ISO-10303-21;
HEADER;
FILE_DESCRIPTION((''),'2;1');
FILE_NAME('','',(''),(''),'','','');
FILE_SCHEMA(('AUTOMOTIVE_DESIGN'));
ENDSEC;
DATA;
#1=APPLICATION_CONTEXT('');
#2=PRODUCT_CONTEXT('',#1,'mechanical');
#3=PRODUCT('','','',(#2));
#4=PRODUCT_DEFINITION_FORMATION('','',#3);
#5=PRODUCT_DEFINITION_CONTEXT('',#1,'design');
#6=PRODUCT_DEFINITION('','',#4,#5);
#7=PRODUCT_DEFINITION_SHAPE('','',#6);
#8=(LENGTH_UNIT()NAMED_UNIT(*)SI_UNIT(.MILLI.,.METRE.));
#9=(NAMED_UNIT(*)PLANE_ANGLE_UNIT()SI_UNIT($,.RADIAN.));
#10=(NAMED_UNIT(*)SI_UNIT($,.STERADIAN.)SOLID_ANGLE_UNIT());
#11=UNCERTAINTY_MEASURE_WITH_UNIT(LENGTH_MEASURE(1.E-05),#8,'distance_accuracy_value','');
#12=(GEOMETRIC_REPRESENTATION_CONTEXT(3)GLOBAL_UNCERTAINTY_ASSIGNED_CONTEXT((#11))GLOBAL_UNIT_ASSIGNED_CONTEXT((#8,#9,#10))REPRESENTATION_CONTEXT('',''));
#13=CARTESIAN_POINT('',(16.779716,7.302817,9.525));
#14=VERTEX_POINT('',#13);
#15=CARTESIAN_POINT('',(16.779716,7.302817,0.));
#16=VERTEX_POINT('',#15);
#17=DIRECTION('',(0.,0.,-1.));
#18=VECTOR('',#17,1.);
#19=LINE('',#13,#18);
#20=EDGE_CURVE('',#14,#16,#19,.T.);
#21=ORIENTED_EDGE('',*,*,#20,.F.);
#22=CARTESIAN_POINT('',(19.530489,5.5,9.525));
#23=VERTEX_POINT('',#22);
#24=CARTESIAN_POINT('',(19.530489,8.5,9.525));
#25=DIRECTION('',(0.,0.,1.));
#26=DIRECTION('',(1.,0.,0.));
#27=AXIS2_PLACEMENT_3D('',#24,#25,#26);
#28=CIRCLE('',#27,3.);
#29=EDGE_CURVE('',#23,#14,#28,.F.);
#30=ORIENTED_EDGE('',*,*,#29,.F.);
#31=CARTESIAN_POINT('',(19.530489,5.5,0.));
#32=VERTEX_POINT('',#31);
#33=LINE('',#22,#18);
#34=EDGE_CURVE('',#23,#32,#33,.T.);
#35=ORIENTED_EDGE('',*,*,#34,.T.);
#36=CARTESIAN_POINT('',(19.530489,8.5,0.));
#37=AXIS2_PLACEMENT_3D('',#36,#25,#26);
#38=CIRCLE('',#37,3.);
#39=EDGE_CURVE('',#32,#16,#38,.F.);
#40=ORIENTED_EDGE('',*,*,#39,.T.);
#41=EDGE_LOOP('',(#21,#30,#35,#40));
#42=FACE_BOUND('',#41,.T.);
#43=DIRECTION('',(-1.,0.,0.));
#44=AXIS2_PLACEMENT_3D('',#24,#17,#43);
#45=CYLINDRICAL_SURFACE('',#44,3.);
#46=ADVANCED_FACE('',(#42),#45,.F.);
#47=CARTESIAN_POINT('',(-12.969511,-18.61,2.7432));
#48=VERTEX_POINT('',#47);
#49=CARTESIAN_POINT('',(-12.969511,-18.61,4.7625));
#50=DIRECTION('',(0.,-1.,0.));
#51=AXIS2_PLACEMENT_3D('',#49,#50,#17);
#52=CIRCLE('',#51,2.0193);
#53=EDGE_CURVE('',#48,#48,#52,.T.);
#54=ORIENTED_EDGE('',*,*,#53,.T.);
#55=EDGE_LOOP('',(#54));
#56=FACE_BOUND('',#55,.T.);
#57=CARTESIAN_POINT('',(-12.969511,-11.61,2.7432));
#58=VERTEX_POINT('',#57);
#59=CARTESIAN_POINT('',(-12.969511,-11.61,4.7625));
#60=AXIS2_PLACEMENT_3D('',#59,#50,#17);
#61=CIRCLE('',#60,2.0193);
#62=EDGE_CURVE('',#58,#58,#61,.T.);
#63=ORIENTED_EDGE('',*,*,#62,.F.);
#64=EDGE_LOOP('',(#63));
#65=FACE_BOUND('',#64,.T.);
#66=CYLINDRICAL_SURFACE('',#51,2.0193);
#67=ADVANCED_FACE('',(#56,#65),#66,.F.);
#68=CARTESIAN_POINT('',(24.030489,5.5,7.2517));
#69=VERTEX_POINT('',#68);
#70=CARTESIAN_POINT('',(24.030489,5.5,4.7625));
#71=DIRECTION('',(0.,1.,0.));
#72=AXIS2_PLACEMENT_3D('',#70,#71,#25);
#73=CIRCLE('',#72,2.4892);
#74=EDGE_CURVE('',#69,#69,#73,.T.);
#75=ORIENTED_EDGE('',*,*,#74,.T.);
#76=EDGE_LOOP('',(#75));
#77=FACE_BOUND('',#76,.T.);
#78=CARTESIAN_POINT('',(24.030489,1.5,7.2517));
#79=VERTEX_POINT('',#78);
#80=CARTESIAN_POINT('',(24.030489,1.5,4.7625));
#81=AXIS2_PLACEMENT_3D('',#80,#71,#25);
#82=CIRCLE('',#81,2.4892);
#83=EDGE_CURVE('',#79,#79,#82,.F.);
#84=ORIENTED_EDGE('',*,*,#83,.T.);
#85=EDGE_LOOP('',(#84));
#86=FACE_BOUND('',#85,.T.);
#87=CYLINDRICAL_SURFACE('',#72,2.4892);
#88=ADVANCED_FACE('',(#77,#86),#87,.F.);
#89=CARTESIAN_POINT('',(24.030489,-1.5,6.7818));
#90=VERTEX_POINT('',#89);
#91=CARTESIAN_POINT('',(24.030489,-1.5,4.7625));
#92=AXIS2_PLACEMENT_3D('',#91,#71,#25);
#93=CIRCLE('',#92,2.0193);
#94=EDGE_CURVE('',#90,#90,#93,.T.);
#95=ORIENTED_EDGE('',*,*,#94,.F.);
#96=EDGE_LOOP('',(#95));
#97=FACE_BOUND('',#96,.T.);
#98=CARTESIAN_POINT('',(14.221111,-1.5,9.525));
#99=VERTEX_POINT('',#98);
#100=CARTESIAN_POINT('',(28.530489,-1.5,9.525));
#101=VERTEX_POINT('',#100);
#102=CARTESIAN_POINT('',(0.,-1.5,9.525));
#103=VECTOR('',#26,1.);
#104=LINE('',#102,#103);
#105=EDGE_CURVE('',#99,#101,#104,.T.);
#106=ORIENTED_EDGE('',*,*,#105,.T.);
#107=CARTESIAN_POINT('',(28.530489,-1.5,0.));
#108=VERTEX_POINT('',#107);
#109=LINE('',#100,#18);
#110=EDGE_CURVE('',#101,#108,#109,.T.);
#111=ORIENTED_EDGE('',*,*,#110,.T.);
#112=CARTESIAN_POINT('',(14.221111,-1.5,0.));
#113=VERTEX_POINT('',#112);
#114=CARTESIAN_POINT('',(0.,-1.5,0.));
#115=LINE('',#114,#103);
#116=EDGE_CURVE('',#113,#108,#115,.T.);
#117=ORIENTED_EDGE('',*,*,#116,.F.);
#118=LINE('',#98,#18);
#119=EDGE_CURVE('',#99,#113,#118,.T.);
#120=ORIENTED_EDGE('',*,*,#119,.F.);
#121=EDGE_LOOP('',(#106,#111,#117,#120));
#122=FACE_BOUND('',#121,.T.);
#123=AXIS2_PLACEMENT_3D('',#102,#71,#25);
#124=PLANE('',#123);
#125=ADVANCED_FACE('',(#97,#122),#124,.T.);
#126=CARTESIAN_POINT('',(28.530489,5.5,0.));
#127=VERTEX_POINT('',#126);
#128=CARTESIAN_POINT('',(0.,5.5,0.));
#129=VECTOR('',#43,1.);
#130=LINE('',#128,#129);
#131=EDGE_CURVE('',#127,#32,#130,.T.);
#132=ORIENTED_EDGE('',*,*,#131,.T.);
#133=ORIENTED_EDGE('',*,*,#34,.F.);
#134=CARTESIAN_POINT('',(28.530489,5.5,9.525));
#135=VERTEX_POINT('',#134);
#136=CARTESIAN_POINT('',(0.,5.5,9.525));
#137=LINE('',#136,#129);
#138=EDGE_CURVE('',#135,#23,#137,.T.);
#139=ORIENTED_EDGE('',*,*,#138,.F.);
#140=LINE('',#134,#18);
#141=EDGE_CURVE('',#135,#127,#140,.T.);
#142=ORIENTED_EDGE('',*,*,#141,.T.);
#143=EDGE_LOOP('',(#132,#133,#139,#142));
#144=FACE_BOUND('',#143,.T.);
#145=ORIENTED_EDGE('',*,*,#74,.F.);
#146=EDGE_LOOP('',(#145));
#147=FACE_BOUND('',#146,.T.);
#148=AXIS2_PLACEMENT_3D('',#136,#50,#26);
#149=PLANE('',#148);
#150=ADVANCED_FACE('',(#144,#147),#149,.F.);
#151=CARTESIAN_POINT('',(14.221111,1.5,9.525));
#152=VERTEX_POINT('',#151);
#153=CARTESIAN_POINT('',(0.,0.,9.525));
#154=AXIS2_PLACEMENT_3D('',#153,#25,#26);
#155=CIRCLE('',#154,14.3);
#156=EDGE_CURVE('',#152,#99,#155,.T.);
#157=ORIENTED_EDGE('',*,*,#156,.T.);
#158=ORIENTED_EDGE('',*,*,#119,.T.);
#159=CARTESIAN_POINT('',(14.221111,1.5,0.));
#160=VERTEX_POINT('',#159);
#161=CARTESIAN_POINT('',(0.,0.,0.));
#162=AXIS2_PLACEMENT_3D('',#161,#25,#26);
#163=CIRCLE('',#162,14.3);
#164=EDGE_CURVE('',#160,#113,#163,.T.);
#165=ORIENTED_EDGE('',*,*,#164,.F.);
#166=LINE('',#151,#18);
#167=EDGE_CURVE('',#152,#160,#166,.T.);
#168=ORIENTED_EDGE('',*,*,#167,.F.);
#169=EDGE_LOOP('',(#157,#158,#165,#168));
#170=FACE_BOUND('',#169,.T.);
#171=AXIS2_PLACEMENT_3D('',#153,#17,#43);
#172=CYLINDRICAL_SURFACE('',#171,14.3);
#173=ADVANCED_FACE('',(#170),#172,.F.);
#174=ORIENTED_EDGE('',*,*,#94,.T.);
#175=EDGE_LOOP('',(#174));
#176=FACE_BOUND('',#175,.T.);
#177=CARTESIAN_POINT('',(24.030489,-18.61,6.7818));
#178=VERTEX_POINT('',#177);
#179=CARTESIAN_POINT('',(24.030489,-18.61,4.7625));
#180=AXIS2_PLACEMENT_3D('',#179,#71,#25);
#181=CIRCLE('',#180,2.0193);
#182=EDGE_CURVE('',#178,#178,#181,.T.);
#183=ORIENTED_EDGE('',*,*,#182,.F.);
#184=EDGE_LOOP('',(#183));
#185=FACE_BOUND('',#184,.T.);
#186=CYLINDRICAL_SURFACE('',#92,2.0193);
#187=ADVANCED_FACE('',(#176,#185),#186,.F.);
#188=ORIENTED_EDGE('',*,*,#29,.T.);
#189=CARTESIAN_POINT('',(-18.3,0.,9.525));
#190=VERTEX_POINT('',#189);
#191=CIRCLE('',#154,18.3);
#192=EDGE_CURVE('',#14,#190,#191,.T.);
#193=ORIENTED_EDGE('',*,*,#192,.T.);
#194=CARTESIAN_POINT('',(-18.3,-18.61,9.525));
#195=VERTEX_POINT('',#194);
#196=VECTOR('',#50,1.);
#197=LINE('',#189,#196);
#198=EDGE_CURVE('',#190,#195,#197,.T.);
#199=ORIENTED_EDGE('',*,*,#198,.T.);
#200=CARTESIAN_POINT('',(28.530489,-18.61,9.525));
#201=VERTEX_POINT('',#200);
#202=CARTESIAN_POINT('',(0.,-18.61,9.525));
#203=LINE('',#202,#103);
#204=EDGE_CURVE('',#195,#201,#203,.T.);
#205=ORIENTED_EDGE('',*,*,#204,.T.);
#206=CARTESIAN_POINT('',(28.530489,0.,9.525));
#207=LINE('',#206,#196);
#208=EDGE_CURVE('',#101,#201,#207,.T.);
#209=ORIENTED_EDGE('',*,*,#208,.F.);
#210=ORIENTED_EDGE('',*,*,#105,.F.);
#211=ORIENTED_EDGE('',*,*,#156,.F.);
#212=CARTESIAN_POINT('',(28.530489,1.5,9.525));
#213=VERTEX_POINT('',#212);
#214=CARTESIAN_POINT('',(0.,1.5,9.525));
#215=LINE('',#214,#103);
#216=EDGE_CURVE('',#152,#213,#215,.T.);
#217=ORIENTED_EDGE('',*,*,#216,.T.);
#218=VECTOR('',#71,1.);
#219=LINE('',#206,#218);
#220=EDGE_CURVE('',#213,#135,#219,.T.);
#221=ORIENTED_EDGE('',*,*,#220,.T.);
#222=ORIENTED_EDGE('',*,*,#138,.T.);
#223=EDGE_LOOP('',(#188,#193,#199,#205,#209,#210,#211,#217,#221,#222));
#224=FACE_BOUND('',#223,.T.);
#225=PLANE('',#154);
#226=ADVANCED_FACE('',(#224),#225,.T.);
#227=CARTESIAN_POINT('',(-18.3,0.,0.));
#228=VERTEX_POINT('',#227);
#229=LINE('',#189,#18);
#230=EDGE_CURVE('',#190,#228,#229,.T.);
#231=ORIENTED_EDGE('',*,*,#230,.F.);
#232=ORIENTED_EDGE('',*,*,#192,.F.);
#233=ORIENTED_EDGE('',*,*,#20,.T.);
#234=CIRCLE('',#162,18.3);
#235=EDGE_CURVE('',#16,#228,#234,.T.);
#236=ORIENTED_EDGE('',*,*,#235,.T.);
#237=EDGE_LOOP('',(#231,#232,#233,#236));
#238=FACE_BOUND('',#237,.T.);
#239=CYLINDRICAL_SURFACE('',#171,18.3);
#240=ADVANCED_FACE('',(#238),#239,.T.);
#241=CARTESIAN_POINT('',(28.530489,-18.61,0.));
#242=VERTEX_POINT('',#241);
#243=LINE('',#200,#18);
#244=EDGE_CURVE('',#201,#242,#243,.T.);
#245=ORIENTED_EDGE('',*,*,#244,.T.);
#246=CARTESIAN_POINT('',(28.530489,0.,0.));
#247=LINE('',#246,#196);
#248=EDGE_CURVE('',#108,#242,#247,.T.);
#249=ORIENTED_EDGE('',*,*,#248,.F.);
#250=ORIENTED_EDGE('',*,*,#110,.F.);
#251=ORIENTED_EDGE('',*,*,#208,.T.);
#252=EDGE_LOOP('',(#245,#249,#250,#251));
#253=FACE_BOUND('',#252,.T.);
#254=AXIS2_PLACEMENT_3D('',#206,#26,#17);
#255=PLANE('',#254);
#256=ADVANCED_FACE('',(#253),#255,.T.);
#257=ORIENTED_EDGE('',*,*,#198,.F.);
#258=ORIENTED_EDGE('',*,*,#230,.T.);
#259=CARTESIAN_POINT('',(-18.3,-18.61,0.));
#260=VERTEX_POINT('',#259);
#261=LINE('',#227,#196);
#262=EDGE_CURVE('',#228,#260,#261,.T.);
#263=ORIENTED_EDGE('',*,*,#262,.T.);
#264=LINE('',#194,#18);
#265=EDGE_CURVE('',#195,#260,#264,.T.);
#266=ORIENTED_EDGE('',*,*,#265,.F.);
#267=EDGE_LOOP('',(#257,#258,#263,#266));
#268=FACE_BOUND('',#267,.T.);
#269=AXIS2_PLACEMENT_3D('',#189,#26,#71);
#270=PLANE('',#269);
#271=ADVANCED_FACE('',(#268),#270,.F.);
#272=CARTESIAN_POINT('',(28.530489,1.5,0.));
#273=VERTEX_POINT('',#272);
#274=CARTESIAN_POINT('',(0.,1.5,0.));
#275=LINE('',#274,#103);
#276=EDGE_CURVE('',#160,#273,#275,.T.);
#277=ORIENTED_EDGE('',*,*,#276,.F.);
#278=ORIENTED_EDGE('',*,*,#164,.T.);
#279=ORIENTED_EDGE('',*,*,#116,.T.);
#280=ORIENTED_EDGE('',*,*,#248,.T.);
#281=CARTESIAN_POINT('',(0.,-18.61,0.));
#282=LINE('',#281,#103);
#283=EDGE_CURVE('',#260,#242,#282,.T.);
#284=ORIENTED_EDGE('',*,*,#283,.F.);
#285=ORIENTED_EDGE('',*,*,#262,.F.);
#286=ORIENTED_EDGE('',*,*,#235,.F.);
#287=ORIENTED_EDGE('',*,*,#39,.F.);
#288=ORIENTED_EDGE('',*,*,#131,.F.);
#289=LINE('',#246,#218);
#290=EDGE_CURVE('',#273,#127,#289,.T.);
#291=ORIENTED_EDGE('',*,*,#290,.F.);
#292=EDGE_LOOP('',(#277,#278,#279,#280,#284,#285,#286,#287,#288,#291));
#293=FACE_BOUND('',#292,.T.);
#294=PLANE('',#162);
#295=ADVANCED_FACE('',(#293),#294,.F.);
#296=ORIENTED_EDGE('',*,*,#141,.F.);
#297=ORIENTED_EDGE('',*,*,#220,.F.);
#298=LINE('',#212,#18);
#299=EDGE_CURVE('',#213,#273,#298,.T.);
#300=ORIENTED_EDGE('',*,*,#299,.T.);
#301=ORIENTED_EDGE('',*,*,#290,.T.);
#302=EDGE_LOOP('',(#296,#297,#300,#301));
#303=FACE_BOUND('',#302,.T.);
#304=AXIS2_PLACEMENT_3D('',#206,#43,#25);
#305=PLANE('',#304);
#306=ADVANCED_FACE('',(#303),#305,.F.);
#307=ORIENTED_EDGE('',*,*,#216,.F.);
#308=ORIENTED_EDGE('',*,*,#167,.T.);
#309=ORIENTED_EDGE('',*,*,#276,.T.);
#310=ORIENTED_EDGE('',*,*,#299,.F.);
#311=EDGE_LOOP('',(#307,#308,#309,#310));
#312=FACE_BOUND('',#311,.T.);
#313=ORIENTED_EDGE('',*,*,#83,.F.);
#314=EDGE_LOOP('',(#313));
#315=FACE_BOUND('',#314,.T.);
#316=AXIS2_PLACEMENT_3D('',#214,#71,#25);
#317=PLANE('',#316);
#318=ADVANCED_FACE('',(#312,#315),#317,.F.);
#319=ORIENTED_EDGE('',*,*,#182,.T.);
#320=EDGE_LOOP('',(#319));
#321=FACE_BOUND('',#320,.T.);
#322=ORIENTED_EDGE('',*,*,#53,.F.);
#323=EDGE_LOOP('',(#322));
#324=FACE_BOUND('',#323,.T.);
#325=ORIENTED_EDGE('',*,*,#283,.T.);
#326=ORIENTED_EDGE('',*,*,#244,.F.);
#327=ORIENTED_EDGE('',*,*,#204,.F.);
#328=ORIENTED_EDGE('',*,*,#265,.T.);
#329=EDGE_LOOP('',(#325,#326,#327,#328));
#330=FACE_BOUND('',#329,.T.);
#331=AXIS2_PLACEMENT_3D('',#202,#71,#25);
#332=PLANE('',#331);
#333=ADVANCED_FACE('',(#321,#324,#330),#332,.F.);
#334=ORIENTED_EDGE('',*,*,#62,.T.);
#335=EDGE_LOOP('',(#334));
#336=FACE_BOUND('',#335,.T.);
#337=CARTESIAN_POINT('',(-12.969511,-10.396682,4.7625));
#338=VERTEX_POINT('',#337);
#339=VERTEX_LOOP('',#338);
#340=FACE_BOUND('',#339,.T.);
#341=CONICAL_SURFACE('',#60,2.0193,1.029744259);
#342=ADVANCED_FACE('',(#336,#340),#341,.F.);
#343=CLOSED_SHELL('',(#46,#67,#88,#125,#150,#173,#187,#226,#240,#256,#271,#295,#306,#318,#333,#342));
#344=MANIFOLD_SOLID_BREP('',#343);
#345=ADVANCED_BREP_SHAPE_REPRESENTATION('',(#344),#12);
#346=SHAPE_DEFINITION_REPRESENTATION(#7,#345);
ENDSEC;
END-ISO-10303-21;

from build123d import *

# Parameters (mm, degrees)
BOSS_EXTRUDE1_DEPTH        = 9.525
F_10_CLEARANCE_HOLE1_D     = 4.9784
F_10_CLEARANCE_HOLE1_DEPTH = 4
F_10_CLEARANCE_HOLE1_TIP   = 1.495662253
F_10_32_TAPPED_HOLE1_D     = 4.0386
F_10_32_TAPPED_HOLE2_D     = 4.0386
F_10_32_TAPPED_HOLE2_DEPTH = 7
F_10_32_TAPPED_HOLE2_TIP   = 1.213317848


with BuildPart() as part:
    # Sketch1 → Boss-Extrude1 (new body)
    with BuildSketch(Plane.XY):
        with BuildLine():
            ThreePointArc((14.221111068, -1.5), (-14.3, 0), (14.221111068, 1.5))
            Line((14.221111068, 1.5), (28.530488985, 1.5))
            Line((28.530488985, 1.5), (28.530488985, 5.5))
            Line((28.530488985, 5.5), (19.530488985, 5.5))
            ThreePointArc((19.530488985, 5.5), (17.886036082, 5.990861772), (16.779715889, 7.302816901))
            ThreePointArc((16.779715889, 7.302816901), (-3.729691625, 17.915897979), (-18.3, 0))
            Line((-18.3, 0), (-18.3, -18.61))
            Line((-18.3, -18.61), (28.530488985, -18.61))
            Line((28.530488985, -18.61), (28.530488985, -1.5))
            Line((28.530488985, -1.5), (14.221111068, -1.5))
        make_face()
    extrude(amount=BOSS_EXTRUDE1_DEPTH)

    # #10 Clearance Hole1
    with Locations(Plane(origin=(0, 5.5, 0), x_dir=(1, 0, 0), z_dir=(0, 1, 0))):
        with Locations((24.030488985, -4.7625)):
            Hole(F_10_CLEARANCE_HOLE1_D / 2, depth=F_10_CLEARANCE_HOLE1_DEPTH)
            with Locations((0, 0, -(F_10_CLEARANCE_HOLE1_DEPTH + F_10_CLEARANCE_HOLE1_TIP / 2))):  # 118° drill point
                Cone(0, F_10_CLEARANCE_HOLE1_D / 2, F_10_CLEARANCE_HOLE1_TIP, mode=Mode.SUBTRACT)

    # #10-32 Tapped Hole1 (through all)
    with Locations(Plane(origin=(0, -1.5, 0), x_dir=(1, 0, 0), z_dir=(0, 1, 0))):
        with Locations((24.030488985, -4.7625)):
            Hole(F_10_32_TAPPED_HOLE1_D / 2)

    # #10-32 Tapped Hole2
    with Locations(Plane(origin=(0, -18.61, 0), x_dir=(-1, 0, 0), z_dir=(0, -1, 0))):
        with Locations((12.969511015, -4.7625)):
            Hole(F_10_32_TAPPED_HOLE2_D / 2, depth=F_10_32_TAPPED_HOLE2_DEPTH)
            with Locations((0, 0, -(F_10_32_TAPPED_HOLE2_DEPTH + F_10_32_TAPPED_HOLE2_TIP / 2))):  # 118° drill point
                Cone(0, F_10_32_TAPPED_HOLE2_D / 2, F_10_32_TAPPED_HOLE2_TIP, mode=Mode.SUBTRACT)


solid = part.part
